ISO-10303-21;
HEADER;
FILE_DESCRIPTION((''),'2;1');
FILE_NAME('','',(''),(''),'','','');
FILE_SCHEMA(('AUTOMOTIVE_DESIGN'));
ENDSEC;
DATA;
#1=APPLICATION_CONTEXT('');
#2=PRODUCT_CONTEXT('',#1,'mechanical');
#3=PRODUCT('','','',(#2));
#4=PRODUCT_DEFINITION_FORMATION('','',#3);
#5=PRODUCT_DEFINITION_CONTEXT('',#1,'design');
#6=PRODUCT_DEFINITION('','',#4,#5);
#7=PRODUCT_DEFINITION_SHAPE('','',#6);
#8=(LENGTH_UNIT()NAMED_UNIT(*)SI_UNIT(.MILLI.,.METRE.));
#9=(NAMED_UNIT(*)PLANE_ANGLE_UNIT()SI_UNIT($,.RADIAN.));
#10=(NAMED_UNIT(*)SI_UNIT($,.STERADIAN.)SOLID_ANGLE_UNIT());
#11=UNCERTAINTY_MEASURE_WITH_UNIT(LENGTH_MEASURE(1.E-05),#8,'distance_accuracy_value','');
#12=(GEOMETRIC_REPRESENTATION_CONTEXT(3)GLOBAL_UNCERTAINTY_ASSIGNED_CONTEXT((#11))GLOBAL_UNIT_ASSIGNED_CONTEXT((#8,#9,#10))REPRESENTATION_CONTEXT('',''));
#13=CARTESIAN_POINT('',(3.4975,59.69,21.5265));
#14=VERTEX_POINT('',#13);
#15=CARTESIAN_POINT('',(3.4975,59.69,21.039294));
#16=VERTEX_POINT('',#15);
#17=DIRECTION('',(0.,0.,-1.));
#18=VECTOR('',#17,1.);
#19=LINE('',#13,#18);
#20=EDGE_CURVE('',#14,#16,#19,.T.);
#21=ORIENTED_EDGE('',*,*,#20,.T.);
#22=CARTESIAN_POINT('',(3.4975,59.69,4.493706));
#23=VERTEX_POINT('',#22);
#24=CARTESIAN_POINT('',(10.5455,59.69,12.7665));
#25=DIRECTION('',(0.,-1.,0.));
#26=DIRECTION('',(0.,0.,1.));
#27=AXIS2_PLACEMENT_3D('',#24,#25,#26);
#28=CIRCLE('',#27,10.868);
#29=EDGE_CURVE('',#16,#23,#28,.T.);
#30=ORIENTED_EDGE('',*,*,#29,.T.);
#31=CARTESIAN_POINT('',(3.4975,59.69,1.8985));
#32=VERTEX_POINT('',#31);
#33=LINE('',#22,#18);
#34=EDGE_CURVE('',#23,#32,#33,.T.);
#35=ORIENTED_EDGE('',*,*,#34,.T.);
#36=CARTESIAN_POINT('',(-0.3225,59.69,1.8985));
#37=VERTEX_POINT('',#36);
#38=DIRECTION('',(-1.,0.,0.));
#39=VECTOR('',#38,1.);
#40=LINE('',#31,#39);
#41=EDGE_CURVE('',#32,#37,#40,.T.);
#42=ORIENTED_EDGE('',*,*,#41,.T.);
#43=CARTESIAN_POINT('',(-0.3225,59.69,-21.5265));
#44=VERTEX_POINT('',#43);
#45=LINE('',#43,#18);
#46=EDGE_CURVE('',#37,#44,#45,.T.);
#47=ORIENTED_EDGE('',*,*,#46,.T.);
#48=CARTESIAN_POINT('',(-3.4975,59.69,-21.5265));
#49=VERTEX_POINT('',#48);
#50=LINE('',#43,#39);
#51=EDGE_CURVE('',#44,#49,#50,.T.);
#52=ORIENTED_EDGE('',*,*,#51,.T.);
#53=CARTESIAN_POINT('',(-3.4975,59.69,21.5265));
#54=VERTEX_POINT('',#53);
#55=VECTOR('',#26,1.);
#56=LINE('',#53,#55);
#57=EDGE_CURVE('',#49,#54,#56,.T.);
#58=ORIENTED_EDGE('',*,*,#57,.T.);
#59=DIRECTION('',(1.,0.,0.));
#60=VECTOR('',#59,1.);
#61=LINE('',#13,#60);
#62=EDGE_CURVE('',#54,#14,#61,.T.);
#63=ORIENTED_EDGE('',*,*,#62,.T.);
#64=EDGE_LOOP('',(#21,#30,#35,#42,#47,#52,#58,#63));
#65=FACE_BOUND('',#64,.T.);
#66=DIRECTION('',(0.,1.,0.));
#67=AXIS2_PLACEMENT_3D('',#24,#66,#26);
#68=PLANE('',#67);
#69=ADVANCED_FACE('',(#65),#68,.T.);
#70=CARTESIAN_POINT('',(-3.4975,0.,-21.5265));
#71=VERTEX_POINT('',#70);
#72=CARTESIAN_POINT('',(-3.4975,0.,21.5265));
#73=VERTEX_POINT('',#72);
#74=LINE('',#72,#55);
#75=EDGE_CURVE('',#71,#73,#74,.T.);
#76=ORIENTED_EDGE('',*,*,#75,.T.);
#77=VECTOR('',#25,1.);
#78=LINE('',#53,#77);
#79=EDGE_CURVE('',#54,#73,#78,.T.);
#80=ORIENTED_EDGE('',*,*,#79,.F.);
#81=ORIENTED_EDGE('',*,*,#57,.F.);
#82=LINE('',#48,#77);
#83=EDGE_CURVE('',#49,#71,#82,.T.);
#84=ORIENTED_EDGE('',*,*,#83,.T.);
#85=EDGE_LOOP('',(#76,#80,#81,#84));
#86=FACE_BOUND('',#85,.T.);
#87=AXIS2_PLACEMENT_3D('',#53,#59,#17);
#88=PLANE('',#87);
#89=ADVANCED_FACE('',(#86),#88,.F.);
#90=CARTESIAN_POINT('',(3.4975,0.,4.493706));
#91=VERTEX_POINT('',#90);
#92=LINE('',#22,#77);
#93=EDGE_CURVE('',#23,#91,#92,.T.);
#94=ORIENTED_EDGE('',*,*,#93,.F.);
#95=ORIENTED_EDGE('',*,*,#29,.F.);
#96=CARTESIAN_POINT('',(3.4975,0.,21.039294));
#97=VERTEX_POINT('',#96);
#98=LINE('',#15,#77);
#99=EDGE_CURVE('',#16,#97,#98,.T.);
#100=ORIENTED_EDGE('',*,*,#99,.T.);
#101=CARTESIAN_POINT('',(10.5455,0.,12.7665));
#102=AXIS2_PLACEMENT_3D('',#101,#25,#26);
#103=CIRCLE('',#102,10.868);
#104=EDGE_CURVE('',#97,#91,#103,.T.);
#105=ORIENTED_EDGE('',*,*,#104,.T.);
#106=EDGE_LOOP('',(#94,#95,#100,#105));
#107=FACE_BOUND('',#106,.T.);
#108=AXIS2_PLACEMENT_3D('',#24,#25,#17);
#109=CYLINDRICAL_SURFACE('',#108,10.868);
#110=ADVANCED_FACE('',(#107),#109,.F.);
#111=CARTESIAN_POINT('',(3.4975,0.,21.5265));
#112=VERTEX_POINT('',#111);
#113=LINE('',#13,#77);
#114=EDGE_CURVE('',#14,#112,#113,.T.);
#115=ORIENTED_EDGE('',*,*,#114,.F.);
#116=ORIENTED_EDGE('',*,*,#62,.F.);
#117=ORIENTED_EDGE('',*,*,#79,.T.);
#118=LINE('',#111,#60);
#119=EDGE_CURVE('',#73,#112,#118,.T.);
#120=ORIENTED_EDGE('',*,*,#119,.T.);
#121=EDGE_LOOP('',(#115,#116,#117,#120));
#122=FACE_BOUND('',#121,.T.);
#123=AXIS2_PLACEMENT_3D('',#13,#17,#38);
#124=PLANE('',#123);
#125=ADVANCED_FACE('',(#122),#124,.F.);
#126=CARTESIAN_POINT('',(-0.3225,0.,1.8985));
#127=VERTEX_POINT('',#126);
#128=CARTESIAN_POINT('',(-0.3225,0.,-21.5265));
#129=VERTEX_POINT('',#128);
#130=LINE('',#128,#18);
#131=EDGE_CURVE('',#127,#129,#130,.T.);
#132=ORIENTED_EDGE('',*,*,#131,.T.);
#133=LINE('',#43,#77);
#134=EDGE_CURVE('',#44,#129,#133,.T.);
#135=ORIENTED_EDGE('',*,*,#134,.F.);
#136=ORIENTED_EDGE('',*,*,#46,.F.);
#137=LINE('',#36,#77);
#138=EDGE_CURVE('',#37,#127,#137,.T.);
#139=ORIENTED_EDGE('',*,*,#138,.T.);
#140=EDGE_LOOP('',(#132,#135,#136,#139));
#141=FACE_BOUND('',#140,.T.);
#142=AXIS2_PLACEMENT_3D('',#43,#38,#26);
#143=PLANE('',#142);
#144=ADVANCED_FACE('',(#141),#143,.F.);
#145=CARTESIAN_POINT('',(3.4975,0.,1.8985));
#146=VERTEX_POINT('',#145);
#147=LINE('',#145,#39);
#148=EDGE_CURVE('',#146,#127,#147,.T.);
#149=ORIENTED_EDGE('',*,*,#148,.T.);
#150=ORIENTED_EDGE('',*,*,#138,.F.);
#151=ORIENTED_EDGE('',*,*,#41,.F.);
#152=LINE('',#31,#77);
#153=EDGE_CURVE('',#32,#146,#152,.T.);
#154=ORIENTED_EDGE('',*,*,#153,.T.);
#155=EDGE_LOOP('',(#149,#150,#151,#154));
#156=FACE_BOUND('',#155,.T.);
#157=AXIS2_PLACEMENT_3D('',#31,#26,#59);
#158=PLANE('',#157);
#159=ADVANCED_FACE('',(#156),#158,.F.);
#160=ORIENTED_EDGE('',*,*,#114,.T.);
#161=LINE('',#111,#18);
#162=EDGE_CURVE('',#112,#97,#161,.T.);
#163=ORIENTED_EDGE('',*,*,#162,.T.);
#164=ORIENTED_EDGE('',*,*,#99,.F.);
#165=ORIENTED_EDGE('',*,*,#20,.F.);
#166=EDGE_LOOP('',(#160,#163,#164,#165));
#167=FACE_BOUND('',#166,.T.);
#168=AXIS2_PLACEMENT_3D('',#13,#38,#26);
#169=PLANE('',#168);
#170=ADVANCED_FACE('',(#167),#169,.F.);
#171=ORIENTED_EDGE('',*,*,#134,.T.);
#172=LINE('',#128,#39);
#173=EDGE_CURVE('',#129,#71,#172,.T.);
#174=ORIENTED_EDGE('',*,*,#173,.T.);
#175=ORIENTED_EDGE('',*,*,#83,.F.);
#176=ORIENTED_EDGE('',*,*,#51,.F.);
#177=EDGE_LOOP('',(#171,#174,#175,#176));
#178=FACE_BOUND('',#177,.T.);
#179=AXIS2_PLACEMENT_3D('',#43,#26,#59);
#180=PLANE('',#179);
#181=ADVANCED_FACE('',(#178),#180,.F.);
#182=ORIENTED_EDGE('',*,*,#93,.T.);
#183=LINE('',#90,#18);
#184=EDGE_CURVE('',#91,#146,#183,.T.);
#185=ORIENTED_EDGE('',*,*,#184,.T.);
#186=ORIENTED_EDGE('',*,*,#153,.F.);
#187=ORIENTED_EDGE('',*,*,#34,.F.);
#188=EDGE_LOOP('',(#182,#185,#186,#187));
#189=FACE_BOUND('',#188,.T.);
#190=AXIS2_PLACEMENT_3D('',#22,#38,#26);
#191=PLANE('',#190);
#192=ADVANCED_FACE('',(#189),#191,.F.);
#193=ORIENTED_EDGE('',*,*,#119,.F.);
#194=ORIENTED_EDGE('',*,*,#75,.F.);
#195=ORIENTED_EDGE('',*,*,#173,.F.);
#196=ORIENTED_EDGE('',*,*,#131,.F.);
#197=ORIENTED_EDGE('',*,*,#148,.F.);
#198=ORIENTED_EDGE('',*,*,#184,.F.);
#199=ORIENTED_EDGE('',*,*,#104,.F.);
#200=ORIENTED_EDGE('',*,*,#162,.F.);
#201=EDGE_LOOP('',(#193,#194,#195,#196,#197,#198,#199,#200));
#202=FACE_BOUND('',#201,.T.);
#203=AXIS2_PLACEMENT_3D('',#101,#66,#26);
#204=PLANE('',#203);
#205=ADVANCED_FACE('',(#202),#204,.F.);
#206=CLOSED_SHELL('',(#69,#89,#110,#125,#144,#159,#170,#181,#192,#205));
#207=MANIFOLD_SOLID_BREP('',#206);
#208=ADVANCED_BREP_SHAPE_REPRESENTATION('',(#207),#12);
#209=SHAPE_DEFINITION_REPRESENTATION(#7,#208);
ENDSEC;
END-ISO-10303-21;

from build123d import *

# Parameters (mm, degrees)
BOSS_EXTRUDE1_DEPTH = 59.69


with BuildPart() as part:
    # Sketch1 → Boss-Extrude1 (new body)
    with BuildSketch(Plane(origin=(0, 0, 0), x_dir=(1, 0, 0), z_dir=(0, 1, 0))):
        with BuildLine():
            Line((3.4975, -21.5265), (-3.4975, -21.5265))
            Line((-3.4975, -21.5265), (-3.4975, 21.5265))
            Line((-3.4975, 21.5265), (-0.3225, 21.5265))
            Line((-0.3225, 21.5265), (-0.3225, -1.8985))
            Line((-0.3225, -1.8985), (3.4975, -1.8985))
            Line((3.4975, -1.8985), (3.4975, -4.493706034))
            ThreePointArc((3.4975, -4.493706034), (-0.3225, -12.7665), (3.4975, -21.039293966))
            Line((3.4975, -21.039293966), (3.4975, -21.5265))
        make_face()
    extrude(amount=BOSS_EXTRUDE1_DEPTH)


solid = part.part
